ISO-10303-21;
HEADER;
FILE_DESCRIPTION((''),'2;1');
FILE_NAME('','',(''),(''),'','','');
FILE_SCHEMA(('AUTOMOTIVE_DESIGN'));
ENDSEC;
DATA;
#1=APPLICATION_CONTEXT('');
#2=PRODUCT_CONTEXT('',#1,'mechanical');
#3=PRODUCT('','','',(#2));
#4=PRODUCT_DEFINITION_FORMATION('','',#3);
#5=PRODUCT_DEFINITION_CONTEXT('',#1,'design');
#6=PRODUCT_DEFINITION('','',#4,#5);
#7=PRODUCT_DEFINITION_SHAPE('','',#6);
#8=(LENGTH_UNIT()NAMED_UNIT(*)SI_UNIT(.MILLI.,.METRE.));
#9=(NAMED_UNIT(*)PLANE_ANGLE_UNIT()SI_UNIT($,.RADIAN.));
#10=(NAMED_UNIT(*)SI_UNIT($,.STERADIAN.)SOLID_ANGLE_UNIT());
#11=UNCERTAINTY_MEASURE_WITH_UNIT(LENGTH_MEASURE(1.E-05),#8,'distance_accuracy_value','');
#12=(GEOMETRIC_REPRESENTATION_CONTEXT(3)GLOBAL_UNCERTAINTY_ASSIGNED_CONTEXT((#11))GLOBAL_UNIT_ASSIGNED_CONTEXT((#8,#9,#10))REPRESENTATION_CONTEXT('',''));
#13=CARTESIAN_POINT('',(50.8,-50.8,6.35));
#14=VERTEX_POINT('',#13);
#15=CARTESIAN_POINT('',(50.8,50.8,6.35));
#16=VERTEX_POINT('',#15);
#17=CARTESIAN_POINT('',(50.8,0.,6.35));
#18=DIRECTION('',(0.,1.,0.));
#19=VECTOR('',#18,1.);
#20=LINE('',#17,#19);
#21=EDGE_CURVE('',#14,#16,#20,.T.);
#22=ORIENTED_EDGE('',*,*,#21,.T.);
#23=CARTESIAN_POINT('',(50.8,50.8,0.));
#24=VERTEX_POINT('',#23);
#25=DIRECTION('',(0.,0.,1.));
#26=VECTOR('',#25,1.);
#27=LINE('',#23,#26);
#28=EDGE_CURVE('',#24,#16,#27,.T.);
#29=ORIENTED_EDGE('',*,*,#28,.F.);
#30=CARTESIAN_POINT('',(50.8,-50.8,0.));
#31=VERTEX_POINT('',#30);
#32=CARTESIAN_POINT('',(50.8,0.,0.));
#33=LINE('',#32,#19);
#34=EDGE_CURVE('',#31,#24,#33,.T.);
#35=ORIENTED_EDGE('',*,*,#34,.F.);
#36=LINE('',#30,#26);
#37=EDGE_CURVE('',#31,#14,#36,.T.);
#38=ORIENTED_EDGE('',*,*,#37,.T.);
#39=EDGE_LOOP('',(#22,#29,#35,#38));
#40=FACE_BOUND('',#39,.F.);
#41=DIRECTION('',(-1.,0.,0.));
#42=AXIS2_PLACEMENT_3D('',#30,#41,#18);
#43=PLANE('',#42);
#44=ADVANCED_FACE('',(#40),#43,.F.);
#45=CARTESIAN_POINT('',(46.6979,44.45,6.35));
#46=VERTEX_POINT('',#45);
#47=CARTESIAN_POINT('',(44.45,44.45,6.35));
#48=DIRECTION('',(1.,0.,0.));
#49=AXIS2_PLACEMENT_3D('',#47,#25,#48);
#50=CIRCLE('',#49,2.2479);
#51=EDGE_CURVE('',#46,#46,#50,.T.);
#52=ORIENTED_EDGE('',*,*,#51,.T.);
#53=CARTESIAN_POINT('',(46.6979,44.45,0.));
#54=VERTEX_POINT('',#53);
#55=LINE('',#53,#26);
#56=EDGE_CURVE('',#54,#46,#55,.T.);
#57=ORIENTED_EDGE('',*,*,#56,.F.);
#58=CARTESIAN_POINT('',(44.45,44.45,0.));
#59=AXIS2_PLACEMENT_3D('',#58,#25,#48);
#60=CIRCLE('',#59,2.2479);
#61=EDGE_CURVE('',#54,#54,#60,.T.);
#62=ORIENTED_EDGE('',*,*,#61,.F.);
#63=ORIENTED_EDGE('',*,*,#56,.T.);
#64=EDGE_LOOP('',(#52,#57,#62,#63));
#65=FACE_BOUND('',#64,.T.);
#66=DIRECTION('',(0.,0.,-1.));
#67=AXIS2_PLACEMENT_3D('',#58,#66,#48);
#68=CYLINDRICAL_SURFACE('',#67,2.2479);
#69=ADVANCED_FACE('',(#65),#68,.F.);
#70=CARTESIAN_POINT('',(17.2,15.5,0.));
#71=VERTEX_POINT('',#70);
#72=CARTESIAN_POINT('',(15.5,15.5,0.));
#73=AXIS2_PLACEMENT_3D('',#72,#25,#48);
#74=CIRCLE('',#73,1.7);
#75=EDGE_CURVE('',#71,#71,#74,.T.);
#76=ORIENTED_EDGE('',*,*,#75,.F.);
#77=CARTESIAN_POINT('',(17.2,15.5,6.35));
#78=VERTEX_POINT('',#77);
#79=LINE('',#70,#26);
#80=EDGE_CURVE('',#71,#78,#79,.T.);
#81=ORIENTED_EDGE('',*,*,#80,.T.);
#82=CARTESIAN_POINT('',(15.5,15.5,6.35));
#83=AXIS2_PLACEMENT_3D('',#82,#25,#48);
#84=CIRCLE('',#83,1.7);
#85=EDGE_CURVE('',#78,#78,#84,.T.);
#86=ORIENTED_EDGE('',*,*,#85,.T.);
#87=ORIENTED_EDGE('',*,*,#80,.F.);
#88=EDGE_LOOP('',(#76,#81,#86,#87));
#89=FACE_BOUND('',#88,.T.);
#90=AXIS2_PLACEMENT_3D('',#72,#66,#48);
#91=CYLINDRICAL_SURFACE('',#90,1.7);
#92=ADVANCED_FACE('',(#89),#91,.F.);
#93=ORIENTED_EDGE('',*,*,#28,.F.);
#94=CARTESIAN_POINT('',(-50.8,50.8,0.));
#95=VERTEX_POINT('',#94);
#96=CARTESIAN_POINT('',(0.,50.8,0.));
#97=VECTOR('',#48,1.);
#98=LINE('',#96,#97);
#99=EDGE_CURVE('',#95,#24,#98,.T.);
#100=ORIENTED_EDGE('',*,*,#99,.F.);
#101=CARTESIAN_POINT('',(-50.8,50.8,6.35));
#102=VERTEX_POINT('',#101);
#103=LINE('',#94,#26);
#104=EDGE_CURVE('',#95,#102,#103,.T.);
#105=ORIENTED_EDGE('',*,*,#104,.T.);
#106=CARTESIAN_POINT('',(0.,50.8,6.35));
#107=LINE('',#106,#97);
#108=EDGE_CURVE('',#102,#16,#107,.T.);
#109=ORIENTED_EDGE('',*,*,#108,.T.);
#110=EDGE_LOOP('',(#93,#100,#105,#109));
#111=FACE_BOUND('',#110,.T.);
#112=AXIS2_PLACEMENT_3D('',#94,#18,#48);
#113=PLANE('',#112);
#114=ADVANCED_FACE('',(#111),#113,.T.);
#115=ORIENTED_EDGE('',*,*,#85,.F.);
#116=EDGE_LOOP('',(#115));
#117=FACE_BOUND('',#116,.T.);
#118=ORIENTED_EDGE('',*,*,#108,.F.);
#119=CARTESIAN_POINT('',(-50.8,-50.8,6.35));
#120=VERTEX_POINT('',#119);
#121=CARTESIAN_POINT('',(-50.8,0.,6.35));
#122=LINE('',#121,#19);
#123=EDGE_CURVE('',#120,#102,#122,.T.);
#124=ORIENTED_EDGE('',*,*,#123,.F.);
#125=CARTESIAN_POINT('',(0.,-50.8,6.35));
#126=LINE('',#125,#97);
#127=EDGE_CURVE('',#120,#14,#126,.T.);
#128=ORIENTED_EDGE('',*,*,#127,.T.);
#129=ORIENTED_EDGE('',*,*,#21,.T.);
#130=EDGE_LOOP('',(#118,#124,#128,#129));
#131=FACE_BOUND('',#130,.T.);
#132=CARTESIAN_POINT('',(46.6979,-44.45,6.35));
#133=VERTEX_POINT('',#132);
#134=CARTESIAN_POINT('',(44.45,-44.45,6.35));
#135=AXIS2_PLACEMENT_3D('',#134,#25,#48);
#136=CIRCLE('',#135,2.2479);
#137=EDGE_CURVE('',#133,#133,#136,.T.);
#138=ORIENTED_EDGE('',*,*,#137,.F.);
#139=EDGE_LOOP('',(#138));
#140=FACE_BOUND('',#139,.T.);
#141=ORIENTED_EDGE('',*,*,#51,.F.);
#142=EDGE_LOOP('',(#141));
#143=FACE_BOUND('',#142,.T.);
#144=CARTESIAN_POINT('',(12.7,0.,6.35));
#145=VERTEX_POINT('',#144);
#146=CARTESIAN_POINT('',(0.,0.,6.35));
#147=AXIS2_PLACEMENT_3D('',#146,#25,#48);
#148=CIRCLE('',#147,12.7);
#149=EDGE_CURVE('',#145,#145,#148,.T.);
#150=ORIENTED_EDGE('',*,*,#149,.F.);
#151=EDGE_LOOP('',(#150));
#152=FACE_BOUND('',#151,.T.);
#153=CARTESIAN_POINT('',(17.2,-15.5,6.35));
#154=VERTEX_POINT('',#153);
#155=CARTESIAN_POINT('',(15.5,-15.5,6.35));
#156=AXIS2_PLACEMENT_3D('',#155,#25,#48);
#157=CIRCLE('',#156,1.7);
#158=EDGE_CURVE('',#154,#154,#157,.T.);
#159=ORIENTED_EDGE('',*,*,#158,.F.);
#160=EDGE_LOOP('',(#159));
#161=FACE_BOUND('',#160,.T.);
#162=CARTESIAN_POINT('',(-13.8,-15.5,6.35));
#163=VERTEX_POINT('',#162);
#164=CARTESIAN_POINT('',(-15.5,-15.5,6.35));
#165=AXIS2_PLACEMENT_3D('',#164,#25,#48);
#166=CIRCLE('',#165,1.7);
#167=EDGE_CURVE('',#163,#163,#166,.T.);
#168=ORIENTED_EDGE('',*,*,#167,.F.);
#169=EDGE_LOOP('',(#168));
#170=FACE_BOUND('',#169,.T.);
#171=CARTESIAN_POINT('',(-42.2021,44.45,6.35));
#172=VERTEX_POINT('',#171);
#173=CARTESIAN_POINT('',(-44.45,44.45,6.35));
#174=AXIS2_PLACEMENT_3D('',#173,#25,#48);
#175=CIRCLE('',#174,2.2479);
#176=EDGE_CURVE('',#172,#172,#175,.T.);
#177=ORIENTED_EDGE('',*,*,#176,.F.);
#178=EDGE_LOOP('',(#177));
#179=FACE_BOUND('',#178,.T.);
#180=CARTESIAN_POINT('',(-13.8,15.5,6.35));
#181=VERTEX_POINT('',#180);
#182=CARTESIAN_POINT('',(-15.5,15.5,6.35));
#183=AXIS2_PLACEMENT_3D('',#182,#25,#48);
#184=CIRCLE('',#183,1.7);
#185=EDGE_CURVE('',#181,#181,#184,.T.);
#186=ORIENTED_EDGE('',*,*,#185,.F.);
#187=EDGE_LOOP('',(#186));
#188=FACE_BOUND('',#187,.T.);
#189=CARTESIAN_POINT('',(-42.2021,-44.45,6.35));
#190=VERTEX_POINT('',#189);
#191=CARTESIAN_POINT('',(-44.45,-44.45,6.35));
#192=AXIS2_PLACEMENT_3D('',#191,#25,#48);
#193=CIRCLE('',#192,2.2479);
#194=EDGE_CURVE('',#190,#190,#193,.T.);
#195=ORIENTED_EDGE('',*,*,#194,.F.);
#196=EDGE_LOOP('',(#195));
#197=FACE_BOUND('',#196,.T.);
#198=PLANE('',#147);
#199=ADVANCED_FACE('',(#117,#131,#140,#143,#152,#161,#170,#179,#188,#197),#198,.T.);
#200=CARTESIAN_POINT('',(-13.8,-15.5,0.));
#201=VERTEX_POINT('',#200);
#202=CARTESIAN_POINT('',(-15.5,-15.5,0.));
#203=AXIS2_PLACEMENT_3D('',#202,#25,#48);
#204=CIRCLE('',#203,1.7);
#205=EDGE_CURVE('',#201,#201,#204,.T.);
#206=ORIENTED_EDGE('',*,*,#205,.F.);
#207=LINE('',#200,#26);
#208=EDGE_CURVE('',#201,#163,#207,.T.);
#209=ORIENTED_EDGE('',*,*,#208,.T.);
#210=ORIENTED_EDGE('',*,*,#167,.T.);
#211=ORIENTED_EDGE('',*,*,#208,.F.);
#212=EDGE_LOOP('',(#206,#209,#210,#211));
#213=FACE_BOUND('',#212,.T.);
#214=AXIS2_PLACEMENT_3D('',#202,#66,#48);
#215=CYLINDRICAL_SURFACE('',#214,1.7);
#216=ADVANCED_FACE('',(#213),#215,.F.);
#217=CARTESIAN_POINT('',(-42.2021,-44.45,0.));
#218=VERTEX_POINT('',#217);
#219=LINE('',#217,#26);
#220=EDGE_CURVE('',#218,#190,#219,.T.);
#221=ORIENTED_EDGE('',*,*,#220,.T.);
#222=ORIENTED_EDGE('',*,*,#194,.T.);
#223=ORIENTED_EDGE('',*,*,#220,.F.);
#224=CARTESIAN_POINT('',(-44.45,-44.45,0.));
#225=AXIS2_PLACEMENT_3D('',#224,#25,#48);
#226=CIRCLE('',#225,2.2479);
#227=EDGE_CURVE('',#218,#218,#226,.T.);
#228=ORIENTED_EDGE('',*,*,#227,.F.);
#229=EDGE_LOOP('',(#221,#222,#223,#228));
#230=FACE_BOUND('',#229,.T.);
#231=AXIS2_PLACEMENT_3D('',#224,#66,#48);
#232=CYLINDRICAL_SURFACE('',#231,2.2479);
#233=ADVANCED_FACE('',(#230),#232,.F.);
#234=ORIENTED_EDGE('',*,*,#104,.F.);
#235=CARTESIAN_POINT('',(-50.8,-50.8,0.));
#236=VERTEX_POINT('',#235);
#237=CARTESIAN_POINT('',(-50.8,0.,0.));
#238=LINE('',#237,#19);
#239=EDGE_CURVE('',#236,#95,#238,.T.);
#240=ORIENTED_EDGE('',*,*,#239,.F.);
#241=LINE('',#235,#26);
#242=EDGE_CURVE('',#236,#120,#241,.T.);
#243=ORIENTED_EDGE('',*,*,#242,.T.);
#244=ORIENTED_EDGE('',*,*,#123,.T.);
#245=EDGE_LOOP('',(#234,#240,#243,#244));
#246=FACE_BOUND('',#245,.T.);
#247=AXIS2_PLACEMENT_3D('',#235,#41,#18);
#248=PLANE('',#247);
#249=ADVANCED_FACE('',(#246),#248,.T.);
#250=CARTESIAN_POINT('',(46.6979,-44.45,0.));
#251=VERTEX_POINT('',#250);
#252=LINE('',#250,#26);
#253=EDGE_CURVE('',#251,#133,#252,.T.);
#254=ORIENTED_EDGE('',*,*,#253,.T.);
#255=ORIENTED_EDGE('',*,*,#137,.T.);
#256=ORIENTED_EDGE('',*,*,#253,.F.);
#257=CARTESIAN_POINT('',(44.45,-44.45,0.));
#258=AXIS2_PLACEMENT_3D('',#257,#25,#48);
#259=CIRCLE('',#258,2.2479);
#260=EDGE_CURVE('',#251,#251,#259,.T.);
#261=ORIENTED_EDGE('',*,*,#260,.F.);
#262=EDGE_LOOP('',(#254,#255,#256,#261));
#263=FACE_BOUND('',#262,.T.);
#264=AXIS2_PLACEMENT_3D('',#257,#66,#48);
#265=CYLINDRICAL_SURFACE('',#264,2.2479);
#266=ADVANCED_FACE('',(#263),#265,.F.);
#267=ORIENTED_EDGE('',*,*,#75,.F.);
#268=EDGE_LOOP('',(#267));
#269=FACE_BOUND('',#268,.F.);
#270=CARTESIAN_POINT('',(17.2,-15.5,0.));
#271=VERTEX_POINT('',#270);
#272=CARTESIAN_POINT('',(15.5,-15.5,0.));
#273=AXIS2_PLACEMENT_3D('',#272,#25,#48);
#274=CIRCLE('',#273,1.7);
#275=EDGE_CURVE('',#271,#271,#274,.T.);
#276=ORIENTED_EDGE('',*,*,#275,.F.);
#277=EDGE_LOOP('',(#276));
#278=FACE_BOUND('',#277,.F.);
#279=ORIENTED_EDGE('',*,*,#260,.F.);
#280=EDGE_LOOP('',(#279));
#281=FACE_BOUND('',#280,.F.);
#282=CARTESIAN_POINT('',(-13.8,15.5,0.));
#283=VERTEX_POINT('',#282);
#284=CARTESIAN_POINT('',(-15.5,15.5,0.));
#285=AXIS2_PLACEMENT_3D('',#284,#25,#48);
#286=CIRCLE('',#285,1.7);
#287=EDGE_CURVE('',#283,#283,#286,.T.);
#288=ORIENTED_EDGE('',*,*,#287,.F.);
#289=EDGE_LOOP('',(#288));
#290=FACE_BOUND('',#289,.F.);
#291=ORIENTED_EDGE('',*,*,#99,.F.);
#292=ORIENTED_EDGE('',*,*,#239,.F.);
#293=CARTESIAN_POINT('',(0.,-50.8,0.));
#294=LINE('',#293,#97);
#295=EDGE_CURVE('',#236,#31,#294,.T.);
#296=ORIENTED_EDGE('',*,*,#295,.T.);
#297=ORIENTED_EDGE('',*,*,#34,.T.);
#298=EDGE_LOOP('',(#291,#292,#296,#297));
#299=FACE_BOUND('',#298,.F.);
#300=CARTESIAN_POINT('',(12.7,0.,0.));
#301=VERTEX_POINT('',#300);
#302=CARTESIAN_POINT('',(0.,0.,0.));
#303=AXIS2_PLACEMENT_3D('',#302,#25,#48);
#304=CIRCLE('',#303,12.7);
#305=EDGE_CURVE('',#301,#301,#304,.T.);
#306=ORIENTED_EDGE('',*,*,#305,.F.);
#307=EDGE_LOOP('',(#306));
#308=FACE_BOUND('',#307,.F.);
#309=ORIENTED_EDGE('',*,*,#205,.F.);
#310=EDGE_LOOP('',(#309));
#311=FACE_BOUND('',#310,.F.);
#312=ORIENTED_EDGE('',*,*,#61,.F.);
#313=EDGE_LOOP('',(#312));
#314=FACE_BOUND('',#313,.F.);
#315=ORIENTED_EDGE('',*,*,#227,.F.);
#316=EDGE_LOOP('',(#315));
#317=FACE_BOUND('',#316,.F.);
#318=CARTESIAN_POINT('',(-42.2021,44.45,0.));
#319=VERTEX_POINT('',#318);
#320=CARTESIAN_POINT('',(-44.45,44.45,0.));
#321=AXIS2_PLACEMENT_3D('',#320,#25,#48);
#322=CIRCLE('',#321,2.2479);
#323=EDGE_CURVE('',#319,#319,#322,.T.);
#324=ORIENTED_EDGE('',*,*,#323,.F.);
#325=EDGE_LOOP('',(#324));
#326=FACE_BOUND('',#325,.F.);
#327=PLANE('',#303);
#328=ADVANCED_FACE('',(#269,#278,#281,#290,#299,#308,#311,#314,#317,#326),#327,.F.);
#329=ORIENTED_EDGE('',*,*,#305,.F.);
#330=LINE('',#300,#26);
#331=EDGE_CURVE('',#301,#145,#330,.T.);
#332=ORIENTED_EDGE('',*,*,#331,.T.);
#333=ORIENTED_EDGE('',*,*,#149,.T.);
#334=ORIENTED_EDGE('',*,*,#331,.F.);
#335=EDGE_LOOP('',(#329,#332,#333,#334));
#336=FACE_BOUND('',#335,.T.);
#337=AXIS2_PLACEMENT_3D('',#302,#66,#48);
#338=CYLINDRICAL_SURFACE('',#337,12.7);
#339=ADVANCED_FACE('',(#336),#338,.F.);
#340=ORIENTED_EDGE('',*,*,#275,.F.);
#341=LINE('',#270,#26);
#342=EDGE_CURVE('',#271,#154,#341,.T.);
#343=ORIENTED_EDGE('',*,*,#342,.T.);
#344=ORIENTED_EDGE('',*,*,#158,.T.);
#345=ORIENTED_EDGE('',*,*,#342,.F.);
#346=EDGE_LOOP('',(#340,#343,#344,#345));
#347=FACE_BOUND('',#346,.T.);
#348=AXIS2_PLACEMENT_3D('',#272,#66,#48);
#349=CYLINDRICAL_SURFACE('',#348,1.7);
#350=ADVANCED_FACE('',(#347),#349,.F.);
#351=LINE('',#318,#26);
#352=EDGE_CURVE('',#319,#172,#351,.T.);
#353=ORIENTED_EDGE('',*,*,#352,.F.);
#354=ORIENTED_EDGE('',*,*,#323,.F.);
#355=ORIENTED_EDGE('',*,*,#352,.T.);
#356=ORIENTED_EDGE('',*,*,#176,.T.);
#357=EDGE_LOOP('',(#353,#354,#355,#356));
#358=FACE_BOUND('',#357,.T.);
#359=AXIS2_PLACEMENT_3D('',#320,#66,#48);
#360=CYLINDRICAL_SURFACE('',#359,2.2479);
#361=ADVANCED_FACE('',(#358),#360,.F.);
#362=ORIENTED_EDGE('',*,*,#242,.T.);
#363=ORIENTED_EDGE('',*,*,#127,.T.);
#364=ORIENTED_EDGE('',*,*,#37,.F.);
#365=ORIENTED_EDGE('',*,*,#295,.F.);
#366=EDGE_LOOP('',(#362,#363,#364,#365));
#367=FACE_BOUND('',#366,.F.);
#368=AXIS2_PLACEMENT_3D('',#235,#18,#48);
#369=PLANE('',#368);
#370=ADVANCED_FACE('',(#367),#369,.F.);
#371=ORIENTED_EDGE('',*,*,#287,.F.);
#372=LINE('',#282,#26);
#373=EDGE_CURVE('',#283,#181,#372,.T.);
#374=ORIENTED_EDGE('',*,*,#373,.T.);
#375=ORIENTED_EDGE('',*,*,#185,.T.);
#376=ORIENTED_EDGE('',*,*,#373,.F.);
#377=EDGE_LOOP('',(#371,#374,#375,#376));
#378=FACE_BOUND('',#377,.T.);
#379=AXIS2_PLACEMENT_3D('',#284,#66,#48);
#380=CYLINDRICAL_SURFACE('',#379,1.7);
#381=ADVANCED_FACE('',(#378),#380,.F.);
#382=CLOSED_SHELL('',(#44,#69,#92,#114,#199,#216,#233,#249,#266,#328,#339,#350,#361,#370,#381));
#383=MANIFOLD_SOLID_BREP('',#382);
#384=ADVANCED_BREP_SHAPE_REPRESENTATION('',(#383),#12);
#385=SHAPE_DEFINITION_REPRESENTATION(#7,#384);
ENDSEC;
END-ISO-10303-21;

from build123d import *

# Parameters (mm, degrees)
F0_W     = 101.6
F0_H     = 101.6
F0_R     = 2.2479
F0_R_2   = 1.7
F0_R_3   = 12.7
F1_DEPTH = 6.35


with BuildPart() as f1:
    # F0 (on Top) → F1 (new body)
    with BuildSketch(Plane.XY):
        Rectangle(F0_W, F0_H)
        with Locations((-44.45, -44.45)):
            Circle(F0_R, mode=Mode.SUBTRACT)
        with Locations((-15.5, -15.5)):
            Circle(F0_R_2, mode=Mode.SUBTRACT)
        Circle(F0_R_3, mode=Mode.SUBTRACT)
        with Locations((44.45, -44.45)):
            Circle(F0_R, mode=Mode.SUBTRACT)
        with Locations((15.5, -15.5)):
            Circle(F0_R_2, mode=Mode.SUBTRACT)
        with Locations((-15.5, 15.5)):
            Circle(F0_R_2, mode=Mode.SUBTRACT)
        with Locations((-44.45, 44.45)):
            Circle(F0_R, mode=Mode.SUBTRACT)
        with Locations((15.5, 15.5)):
            Circle(F0_R_2, mode=Mode.SUBTRACT)
        with Locations((44.45, 44.45)):
            Circle(F0_R, mode=Mode.SUBTRACT)
    extrude(amount=F1_DEPTH)


solid = f1.part
